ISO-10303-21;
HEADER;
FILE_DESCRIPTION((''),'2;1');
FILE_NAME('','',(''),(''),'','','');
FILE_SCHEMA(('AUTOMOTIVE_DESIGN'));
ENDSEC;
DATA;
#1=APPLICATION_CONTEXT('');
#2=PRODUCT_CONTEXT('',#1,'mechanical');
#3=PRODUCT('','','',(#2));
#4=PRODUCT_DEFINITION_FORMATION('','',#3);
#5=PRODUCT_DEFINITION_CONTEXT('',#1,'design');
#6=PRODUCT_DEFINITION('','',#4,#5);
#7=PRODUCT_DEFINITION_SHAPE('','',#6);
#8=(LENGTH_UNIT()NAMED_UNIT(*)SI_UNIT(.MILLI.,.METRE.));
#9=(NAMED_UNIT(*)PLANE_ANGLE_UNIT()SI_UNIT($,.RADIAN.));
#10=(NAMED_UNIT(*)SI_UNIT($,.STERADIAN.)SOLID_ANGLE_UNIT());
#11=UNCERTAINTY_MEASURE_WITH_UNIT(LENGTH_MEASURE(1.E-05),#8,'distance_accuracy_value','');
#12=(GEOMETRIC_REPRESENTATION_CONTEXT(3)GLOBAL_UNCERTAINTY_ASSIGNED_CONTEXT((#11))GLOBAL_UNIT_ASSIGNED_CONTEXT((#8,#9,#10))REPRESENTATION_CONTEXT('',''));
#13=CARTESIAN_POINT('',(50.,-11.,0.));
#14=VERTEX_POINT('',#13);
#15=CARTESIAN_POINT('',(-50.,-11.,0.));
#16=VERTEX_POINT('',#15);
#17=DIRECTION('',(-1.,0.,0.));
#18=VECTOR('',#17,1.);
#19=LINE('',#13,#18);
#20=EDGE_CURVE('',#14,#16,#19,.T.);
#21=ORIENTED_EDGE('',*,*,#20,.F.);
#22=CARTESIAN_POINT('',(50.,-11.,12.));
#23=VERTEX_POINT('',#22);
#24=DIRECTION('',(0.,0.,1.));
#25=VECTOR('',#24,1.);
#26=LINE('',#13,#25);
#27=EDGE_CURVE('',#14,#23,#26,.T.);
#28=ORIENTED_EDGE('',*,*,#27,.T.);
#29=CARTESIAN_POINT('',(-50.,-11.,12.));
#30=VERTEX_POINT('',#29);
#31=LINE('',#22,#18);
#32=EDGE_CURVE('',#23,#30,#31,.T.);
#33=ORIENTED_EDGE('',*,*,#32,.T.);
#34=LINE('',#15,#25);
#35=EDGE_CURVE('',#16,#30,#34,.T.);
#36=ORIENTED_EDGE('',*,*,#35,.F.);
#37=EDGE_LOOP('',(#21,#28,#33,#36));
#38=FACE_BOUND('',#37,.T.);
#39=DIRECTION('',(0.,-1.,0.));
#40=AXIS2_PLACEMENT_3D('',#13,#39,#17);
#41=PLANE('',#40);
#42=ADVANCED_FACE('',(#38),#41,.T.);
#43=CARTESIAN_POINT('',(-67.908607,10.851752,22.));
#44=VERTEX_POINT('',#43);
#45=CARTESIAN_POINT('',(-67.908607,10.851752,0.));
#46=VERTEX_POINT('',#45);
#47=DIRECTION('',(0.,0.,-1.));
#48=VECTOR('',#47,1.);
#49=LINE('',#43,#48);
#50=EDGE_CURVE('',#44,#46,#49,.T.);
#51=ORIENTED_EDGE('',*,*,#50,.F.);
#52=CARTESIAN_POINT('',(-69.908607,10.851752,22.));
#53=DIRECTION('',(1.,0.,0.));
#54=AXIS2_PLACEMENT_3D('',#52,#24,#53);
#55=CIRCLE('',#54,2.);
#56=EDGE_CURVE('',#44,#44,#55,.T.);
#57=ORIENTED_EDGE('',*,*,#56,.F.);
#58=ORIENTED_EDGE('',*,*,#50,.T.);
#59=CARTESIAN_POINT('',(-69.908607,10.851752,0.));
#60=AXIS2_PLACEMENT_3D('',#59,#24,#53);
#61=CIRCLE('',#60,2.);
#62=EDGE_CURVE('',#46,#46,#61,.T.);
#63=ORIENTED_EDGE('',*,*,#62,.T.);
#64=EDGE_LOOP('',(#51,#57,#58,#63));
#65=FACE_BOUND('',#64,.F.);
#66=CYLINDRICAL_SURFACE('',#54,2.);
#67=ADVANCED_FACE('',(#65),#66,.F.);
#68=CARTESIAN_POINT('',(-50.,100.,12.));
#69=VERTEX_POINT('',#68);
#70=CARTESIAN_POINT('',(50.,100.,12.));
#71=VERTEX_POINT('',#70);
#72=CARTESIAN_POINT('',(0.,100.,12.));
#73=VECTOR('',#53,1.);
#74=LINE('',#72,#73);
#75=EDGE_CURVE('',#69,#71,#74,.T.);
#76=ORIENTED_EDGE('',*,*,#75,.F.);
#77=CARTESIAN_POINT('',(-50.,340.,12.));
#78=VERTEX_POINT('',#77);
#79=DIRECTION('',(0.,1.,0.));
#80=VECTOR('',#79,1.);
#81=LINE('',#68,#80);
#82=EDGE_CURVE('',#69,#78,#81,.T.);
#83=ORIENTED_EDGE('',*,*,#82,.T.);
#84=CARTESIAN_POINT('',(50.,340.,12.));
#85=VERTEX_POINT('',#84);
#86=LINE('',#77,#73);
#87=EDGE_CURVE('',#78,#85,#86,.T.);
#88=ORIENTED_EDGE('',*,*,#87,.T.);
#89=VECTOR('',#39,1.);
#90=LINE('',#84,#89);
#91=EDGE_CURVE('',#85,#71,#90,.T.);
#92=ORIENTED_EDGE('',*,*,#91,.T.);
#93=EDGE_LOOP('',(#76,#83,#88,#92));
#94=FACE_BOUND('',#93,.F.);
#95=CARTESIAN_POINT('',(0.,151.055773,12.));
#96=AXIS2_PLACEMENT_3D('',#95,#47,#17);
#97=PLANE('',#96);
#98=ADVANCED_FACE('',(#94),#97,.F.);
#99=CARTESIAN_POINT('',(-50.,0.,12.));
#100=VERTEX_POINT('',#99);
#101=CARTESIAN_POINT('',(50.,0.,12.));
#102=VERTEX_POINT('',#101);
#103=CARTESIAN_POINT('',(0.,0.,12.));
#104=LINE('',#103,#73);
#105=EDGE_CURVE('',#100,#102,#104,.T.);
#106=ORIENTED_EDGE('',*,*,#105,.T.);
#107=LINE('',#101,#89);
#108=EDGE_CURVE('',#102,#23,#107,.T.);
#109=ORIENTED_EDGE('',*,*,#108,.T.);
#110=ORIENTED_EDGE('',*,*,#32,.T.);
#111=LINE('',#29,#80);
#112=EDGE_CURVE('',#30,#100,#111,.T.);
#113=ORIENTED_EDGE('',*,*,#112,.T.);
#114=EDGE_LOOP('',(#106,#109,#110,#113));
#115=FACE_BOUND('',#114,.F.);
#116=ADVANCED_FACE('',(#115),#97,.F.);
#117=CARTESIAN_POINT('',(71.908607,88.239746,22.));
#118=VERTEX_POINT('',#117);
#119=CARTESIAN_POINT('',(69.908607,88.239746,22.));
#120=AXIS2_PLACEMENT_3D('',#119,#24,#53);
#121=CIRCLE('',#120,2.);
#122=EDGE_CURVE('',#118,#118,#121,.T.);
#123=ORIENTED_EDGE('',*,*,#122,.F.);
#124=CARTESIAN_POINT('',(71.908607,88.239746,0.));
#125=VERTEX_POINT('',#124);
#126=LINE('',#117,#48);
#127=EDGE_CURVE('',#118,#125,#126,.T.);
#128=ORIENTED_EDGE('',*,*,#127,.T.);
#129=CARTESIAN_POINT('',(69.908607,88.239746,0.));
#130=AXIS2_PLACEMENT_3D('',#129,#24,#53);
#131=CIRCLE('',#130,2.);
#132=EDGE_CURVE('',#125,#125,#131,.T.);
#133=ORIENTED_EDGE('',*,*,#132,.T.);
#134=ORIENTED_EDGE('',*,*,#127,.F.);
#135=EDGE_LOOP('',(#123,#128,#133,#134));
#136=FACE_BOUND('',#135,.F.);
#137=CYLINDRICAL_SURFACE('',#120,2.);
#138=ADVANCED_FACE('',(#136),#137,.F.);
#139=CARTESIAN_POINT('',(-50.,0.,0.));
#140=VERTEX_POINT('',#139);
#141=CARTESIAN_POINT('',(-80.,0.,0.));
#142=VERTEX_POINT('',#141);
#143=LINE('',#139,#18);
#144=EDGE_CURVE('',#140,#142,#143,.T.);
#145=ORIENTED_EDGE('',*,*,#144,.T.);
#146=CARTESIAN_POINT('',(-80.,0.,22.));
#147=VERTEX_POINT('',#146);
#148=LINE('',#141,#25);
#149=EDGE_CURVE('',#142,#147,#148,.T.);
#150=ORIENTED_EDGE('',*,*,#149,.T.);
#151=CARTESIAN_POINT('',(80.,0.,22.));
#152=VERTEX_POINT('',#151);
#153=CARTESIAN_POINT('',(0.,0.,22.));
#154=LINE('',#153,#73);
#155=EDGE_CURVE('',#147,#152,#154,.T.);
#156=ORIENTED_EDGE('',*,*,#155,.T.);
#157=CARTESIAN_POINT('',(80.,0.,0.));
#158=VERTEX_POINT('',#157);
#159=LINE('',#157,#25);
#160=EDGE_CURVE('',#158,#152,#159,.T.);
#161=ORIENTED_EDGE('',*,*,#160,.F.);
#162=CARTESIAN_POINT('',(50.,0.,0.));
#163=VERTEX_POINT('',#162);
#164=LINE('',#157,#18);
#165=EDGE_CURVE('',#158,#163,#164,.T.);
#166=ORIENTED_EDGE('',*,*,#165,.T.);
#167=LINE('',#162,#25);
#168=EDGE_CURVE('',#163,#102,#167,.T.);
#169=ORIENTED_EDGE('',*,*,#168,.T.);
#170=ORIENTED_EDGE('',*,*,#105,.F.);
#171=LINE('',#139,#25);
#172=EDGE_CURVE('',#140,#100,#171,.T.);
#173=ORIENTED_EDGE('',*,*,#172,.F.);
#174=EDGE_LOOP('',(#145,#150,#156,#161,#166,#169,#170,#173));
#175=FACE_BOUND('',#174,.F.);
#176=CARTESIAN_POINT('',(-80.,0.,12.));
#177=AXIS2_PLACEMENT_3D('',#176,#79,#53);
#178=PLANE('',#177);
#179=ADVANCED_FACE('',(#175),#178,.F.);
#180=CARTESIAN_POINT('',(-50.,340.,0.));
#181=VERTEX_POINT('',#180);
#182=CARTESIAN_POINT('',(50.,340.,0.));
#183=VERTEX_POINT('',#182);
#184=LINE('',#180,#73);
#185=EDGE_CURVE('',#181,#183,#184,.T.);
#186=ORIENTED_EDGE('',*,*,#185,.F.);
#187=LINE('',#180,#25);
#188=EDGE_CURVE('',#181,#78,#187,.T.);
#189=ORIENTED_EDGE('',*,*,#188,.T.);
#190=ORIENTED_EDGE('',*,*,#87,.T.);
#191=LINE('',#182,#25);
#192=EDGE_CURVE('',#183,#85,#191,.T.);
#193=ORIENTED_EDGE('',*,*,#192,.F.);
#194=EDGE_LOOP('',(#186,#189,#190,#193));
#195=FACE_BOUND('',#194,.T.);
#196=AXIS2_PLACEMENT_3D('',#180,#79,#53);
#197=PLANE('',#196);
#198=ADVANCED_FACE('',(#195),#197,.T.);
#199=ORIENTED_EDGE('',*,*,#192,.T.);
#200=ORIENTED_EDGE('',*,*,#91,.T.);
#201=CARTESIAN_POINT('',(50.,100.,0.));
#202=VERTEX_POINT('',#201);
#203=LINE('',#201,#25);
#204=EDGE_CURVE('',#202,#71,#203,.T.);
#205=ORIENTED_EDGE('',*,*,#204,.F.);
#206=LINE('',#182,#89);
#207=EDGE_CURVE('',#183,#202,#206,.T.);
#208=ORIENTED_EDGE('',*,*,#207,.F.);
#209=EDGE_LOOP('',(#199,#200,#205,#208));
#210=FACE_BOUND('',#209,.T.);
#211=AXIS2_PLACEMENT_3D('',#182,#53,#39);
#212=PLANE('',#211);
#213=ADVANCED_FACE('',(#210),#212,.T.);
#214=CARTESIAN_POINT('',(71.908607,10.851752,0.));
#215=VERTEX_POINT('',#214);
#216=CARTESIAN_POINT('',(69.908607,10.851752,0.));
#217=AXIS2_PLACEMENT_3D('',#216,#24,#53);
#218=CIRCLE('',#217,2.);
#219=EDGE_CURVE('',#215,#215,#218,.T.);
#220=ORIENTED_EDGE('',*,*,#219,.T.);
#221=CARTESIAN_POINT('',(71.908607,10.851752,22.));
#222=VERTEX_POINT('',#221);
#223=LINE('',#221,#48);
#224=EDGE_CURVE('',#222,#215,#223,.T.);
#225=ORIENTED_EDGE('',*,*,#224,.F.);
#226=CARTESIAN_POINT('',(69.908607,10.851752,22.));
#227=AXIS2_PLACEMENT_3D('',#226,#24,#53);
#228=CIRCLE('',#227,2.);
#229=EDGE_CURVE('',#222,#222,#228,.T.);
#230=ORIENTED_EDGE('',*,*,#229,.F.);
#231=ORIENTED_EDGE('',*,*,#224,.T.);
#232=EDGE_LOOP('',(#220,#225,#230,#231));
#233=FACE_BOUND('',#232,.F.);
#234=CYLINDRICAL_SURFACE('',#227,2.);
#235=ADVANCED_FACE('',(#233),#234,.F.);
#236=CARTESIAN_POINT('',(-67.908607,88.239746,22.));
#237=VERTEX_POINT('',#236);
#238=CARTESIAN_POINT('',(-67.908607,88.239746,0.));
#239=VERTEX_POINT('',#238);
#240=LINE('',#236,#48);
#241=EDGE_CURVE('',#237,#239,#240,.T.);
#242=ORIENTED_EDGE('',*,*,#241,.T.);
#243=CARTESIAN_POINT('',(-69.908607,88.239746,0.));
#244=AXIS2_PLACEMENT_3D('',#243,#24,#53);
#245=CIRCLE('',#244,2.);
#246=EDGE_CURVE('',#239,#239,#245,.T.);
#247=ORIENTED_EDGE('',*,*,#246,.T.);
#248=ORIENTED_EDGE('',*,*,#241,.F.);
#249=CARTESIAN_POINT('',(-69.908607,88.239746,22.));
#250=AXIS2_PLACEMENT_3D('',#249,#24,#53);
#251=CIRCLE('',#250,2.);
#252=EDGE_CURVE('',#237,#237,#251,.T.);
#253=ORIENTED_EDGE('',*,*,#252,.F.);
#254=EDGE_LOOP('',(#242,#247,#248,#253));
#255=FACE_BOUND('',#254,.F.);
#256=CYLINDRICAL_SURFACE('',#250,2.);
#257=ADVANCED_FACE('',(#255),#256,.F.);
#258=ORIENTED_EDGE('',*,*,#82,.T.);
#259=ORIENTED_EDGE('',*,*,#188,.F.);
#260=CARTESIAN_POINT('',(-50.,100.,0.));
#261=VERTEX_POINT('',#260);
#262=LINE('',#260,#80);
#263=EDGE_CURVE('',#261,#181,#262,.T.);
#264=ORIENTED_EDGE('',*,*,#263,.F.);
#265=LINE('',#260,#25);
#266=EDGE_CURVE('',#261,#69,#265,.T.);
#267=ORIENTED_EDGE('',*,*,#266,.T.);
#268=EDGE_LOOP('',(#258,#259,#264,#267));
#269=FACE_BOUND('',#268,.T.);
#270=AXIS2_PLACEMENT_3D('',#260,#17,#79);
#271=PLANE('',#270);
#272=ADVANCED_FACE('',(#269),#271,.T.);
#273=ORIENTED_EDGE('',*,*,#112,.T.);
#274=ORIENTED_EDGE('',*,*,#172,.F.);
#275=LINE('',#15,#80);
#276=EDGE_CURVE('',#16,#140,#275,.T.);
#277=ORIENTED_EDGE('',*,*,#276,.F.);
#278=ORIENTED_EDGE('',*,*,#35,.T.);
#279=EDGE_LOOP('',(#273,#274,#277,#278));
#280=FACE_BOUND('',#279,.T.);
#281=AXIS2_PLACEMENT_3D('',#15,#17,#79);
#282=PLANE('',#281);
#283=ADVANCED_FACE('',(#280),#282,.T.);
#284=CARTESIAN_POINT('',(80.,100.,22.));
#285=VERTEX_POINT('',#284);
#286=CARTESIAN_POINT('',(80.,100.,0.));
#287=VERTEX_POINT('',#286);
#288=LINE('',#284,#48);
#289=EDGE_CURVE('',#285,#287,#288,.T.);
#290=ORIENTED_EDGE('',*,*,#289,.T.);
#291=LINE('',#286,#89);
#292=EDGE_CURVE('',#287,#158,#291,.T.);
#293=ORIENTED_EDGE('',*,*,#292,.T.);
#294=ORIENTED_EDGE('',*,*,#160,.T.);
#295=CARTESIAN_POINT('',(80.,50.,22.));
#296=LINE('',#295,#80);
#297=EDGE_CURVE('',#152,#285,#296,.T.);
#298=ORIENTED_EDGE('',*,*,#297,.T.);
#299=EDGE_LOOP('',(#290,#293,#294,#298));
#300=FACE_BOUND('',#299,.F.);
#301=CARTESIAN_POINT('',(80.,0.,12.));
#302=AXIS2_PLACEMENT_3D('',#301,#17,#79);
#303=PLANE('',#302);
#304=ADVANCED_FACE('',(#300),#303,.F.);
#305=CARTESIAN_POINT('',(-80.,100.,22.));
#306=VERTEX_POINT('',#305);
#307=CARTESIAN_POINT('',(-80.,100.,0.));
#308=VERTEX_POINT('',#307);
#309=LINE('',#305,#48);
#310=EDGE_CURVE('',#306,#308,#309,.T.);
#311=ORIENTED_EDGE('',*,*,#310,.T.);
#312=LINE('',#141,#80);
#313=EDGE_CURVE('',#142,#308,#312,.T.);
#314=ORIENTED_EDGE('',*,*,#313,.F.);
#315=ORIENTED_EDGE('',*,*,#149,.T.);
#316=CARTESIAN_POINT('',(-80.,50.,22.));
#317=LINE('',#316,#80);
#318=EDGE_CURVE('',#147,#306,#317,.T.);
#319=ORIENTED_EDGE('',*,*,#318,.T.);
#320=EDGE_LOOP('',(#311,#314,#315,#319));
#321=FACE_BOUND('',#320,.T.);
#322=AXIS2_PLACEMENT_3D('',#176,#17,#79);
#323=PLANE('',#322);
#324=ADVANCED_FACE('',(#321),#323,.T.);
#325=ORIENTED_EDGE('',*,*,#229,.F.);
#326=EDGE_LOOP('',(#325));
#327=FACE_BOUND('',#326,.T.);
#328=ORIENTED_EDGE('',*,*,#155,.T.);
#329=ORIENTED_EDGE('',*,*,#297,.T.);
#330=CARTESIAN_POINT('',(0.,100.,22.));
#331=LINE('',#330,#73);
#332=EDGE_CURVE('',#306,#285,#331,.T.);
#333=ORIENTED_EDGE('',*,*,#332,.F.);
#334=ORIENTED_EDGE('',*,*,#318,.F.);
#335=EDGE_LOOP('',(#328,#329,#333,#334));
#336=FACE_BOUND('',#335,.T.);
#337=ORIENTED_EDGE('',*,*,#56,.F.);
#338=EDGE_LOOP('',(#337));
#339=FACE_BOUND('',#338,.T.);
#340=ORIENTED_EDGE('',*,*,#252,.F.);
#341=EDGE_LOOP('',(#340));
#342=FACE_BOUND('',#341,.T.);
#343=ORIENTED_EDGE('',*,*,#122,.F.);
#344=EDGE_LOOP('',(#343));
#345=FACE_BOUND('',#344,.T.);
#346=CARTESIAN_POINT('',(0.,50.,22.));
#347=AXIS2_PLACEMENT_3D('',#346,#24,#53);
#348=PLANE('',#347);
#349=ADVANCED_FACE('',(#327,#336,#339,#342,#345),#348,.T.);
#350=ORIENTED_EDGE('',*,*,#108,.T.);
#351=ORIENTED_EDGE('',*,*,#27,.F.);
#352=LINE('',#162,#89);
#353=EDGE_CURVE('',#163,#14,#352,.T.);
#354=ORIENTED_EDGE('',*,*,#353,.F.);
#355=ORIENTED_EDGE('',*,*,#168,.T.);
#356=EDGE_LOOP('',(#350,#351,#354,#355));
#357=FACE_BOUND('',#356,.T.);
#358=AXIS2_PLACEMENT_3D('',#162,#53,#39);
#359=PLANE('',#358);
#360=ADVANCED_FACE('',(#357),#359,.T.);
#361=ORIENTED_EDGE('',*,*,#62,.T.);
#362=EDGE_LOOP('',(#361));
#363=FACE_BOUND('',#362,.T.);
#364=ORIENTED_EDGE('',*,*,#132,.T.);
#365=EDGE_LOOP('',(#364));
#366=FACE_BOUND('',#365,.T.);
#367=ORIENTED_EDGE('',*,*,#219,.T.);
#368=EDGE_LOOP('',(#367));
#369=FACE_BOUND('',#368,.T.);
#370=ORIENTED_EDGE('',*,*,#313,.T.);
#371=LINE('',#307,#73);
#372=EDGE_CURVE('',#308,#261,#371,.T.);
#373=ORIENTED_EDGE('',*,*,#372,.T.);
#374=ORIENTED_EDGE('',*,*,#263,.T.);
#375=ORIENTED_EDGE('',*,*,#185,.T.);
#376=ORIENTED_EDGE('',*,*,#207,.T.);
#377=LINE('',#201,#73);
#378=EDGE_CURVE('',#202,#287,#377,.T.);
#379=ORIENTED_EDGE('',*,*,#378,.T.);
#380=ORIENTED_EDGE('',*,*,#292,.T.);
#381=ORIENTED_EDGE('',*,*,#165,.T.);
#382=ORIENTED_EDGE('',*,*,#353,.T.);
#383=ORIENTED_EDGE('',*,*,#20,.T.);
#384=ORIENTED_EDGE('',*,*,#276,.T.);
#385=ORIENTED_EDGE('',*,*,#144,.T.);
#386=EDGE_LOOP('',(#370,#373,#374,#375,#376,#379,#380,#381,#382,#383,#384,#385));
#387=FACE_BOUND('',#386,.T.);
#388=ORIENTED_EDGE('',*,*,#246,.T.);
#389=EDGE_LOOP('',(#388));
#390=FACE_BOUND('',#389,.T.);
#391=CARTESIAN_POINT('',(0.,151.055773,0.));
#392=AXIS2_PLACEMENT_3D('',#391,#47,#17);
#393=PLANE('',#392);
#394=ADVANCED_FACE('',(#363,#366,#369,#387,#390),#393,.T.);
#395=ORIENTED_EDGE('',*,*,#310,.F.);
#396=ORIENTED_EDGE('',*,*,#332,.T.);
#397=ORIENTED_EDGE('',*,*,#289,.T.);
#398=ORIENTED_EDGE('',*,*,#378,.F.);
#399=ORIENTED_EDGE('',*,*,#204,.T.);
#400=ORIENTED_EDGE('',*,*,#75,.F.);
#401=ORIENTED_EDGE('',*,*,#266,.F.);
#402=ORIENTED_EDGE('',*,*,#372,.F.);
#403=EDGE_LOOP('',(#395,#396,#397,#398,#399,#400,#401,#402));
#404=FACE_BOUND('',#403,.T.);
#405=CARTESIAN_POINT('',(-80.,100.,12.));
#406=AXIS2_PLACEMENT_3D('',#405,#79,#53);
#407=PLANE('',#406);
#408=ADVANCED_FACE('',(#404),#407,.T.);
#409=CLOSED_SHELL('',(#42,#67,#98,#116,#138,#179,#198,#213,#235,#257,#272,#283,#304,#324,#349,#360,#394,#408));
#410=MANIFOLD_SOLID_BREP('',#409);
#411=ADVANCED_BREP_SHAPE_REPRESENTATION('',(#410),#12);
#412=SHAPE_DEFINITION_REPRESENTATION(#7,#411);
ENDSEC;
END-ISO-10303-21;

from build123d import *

# Parameters (mm, degrees)
PAD_DEPTH    = 12
SKETCH001_W  = 160
SKETCH001_H  = 100
PAD001_DEPTH = 10
SKETCH002_R  = 2
POCKET_DEPTH = 22.001


with BuildPart() as part:
    # Sketch → Pad (new body)
    with BuildSketch(Plane.XY):
        Polygon((-50, 340), (50, 340), (50, 100), (80, 100), (80, 0), (50, 0), (50, -11), (-50, -11), (-50, 0), (-80, 0), (-80, 100), (-50, 100), align=None)
    extrude(amount=PAD_DEPTH)

    # Sketch001 (on Face14 of Pad) → Pad001 (join)
    with BuildSketch(Plane.XY.offset(12)):
        with Locations((0, 50)):
            Rectangle(SKETCH001_W, SKETCH001_H)
    extrude(amount=PAD001_DEPTH)

    # Sketch002 (on Face18 of Pad001) → Pocket (cut, through all)
    with BuildSketch(Plane.XY.offset(22)):
        with Locations((-69.908607, 88.239746)):
            Circle(SKETCH002_R)
        with Locations((69.908607, 88.239746)):
            Circle(SKETCH002_R)
        with Locations((69.908607, 10.851752)):
            Circle(SKETCH002_R)
        with Locations((-69.908607, 10.851752)):
            Circle(SKETCH002_R)
    extrude(amount=-POCKET_DEPTH, mode=Mode.SUBTRACT)


solid = part.part
